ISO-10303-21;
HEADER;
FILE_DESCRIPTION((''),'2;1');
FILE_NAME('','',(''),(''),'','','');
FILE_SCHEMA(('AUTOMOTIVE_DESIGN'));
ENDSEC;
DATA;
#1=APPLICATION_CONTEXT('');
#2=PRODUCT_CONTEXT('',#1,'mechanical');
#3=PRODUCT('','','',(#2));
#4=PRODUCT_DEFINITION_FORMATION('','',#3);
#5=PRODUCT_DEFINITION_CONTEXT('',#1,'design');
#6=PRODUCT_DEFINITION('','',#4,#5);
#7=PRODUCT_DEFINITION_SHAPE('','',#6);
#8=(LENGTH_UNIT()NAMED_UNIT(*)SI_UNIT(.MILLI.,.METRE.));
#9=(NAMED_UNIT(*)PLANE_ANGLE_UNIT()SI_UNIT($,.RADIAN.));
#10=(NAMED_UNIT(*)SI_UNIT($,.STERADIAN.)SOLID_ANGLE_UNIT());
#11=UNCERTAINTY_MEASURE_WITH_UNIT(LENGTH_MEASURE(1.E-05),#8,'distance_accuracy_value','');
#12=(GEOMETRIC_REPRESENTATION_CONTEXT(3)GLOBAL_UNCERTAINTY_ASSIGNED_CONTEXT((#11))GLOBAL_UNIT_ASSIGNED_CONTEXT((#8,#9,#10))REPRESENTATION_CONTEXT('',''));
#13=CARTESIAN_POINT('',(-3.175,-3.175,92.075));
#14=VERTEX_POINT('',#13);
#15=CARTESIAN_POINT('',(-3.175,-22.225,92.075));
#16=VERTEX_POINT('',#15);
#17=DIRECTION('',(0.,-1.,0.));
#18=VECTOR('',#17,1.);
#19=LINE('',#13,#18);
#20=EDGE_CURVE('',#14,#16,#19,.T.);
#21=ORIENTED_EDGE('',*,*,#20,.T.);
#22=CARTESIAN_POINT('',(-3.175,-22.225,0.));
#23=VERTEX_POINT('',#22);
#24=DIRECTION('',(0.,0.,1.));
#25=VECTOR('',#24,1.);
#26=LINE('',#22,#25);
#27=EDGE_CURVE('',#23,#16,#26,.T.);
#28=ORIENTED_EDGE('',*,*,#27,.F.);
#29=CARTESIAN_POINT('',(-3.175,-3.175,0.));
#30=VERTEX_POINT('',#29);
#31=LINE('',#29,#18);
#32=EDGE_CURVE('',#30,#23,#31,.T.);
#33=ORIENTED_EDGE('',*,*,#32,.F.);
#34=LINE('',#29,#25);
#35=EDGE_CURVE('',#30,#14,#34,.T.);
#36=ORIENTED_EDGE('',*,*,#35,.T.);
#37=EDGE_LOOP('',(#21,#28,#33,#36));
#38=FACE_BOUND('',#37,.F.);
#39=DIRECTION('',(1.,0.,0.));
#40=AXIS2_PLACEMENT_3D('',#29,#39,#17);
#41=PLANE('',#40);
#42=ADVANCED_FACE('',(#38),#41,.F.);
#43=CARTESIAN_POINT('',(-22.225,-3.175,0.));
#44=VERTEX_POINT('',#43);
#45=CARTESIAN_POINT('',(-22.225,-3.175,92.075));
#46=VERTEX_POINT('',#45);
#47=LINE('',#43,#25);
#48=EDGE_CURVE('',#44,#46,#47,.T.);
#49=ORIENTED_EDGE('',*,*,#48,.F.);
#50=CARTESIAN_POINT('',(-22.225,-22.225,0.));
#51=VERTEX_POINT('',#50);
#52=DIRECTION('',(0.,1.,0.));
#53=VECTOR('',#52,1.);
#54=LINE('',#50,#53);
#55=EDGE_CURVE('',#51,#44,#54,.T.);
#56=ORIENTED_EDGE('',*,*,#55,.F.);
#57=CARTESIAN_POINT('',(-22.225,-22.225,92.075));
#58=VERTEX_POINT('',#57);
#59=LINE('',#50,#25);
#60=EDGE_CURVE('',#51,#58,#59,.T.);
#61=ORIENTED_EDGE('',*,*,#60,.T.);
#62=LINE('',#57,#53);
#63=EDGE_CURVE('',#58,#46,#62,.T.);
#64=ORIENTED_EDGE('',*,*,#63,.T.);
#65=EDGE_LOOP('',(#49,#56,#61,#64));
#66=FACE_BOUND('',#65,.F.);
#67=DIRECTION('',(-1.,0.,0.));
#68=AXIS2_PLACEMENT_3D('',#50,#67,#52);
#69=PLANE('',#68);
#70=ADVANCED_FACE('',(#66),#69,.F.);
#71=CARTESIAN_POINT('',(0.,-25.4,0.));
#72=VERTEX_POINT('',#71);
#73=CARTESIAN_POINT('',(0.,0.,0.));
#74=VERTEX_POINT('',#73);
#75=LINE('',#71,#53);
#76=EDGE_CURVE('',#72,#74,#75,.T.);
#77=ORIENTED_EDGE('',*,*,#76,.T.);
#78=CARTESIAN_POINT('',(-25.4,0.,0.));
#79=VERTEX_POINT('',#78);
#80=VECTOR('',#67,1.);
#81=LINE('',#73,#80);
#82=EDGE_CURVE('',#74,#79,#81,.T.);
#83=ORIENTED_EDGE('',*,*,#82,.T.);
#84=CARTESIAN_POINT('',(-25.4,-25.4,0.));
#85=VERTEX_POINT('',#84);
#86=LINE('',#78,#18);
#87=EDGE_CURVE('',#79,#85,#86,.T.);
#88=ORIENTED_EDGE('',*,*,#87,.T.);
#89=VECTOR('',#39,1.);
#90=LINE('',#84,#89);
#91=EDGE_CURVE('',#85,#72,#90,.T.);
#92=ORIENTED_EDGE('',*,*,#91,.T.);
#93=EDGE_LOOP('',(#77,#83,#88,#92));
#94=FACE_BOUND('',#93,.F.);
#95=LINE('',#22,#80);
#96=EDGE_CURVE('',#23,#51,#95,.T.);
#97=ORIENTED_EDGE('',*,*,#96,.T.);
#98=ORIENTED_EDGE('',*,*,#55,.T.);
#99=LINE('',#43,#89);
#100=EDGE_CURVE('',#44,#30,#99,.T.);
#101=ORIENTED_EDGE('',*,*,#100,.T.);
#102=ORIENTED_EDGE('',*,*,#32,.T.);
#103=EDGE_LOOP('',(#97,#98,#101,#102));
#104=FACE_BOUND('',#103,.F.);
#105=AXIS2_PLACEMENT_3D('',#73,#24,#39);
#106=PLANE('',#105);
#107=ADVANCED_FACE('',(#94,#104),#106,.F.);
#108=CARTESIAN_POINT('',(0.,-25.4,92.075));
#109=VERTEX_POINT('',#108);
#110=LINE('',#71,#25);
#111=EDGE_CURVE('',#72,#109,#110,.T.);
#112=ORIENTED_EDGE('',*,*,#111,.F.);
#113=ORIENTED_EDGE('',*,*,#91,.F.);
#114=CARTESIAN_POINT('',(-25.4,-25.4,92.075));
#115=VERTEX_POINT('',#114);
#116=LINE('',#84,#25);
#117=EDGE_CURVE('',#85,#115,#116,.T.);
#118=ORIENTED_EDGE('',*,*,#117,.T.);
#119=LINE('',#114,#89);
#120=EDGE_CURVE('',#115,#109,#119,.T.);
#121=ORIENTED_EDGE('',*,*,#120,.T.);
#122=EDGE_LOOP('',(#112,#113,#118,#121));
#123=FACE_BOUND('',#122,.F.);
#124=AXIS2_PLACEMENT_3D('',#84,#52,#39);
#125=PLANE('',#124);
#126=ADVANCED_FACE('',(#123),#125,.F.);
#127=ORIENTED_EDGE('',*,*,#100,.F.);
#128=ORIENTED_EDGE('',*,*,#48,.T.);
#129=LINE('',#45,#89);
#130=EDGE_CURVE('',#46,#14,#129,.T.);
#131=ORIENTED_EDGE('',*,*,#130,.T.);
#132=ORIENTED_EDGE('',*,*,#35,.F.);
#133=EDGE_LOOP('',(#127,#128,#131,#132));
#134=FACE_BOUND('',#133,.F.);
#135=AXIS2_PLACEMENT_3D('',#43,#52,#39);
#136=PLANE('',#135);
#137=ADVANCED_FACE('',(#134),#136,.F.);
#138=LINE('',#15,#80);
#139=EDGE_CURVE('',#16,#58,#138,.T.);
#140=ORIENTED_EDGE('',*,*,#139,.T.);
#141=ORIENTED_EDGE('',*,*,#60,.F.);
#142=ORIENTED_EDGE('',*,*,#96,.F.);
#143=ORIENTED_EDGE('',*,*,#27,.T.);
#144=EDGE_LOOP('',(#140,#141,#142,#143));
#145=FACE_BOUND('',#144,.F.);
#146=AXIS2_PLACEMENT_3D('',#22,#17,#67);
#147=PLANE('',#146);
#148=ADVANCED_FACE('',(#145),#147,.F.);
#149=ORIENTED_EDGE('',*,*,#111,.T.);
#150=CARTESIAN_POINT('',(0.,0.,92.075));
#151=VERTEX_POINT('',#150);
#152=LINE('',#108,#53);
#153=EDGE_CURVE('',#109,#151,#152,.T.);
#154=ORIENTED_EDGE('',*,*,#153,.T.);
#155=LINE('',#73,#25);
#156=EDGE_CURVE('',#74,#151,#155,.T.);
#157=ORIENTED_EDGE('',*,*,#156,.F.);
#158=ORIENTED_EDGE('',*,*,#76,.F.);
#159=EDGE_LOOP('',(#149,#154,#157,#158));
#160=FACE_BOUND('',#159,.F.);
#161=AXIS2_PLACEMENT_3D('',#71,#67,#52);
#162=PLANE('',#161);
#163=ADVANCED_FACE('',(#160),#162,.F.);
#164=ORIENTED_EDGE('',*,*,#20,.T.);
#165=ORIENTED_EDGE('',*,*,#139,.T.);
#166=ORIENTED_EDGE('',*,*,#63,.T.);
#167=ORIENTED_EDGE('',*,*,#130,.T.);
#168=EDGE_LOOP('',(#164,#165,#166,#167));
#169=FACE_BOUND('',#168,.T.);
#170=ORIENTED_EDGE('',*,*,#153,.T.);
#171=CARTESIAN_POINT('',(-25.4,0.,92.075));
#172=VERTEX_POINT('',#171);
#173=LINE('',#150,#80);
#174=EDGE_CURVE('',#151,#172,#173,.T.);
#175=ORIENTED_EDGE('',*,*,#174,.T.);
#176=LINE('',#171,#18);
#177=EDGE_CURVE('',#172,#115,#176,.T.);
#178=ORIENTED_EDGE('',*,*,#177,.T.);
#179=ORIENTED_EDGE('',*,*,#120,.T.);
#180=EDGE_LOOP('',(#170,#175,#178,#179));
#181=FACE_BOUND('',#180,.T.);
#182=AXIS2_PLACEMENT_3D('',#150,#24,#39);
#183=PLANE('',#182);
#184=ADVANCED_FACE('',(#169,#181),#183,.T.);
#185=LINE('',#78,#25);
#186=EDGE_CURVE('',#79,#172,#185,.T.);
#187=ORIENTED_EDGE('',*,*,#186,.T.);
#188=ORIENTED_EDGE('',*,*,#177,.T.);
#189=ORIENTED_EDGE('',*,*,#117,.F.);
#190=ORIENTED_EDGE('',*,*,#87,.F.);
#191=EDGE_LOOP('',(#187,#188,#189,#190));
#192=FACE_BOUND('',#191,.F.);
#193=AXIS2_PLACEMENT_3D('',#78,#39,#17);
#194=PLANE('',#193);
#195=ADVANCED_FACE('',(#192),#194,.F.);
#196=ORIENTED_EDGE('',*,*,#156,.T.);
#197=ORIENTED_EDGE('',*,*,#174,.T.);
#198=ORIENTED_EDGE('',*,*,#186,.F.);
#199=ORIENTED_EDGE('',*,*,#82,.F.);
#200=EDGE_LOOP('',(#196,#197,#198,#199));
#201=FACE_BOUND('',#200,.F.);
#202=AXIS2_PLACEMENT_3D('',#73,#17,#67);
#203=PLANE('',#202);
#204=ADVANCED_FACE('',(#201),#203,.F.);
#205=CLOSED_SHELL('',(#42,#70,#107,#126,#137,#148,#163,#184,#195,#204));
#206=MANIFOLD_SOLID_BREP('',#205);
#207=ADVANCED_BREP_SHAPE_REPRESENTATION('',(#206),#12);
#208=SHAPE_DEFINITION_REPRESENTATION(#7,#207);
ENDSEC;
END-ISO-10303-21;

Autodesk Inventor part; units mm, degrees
ref_plane "YZ Plane" through (0, 0, 0) normal (1, 0, 0) x (0, 1, 0)
ref_plane "XZ Plane" through (0, 0, 0) normal (0, 1, 0) x (-1, 0, 0)
ref_plane "XY Plane" through (0, 0, 0) normal (0, 0, 1) x (1, 0, 0)
sketch "Sketch1" plane through (0, 0, 0) normal (0, 0, 1) x (1, 0, 0)
  line L0 (0, 0) -> (-25.4, 0)
  line L1 (-25.4, 0) -> (-25.4, -25.4)
  line L2 (-25.4, -25.4) -> (0, -25.4)
  line L3 (0, -25.4) -> (0, 0)
  line L4 (-22.225, -3.175) -> (-3.175, -3.175)
  line L5 (-3.175, -3.175) -> (-3.175, -22.225)
  line L6 (-3.175, -22.225) -> (-22.225, -22.225)
  line L7 (-22.225, -22.225) -> (-22.225, -3.175)
  dimension "d0" = 25.4
  dimension "d1" = 25.4
  dimension "d2" = 3.175
extrude "Extrusion1" add sketch "Sketch1" along normal blind 92.075
properties part number "I INtake 2"
